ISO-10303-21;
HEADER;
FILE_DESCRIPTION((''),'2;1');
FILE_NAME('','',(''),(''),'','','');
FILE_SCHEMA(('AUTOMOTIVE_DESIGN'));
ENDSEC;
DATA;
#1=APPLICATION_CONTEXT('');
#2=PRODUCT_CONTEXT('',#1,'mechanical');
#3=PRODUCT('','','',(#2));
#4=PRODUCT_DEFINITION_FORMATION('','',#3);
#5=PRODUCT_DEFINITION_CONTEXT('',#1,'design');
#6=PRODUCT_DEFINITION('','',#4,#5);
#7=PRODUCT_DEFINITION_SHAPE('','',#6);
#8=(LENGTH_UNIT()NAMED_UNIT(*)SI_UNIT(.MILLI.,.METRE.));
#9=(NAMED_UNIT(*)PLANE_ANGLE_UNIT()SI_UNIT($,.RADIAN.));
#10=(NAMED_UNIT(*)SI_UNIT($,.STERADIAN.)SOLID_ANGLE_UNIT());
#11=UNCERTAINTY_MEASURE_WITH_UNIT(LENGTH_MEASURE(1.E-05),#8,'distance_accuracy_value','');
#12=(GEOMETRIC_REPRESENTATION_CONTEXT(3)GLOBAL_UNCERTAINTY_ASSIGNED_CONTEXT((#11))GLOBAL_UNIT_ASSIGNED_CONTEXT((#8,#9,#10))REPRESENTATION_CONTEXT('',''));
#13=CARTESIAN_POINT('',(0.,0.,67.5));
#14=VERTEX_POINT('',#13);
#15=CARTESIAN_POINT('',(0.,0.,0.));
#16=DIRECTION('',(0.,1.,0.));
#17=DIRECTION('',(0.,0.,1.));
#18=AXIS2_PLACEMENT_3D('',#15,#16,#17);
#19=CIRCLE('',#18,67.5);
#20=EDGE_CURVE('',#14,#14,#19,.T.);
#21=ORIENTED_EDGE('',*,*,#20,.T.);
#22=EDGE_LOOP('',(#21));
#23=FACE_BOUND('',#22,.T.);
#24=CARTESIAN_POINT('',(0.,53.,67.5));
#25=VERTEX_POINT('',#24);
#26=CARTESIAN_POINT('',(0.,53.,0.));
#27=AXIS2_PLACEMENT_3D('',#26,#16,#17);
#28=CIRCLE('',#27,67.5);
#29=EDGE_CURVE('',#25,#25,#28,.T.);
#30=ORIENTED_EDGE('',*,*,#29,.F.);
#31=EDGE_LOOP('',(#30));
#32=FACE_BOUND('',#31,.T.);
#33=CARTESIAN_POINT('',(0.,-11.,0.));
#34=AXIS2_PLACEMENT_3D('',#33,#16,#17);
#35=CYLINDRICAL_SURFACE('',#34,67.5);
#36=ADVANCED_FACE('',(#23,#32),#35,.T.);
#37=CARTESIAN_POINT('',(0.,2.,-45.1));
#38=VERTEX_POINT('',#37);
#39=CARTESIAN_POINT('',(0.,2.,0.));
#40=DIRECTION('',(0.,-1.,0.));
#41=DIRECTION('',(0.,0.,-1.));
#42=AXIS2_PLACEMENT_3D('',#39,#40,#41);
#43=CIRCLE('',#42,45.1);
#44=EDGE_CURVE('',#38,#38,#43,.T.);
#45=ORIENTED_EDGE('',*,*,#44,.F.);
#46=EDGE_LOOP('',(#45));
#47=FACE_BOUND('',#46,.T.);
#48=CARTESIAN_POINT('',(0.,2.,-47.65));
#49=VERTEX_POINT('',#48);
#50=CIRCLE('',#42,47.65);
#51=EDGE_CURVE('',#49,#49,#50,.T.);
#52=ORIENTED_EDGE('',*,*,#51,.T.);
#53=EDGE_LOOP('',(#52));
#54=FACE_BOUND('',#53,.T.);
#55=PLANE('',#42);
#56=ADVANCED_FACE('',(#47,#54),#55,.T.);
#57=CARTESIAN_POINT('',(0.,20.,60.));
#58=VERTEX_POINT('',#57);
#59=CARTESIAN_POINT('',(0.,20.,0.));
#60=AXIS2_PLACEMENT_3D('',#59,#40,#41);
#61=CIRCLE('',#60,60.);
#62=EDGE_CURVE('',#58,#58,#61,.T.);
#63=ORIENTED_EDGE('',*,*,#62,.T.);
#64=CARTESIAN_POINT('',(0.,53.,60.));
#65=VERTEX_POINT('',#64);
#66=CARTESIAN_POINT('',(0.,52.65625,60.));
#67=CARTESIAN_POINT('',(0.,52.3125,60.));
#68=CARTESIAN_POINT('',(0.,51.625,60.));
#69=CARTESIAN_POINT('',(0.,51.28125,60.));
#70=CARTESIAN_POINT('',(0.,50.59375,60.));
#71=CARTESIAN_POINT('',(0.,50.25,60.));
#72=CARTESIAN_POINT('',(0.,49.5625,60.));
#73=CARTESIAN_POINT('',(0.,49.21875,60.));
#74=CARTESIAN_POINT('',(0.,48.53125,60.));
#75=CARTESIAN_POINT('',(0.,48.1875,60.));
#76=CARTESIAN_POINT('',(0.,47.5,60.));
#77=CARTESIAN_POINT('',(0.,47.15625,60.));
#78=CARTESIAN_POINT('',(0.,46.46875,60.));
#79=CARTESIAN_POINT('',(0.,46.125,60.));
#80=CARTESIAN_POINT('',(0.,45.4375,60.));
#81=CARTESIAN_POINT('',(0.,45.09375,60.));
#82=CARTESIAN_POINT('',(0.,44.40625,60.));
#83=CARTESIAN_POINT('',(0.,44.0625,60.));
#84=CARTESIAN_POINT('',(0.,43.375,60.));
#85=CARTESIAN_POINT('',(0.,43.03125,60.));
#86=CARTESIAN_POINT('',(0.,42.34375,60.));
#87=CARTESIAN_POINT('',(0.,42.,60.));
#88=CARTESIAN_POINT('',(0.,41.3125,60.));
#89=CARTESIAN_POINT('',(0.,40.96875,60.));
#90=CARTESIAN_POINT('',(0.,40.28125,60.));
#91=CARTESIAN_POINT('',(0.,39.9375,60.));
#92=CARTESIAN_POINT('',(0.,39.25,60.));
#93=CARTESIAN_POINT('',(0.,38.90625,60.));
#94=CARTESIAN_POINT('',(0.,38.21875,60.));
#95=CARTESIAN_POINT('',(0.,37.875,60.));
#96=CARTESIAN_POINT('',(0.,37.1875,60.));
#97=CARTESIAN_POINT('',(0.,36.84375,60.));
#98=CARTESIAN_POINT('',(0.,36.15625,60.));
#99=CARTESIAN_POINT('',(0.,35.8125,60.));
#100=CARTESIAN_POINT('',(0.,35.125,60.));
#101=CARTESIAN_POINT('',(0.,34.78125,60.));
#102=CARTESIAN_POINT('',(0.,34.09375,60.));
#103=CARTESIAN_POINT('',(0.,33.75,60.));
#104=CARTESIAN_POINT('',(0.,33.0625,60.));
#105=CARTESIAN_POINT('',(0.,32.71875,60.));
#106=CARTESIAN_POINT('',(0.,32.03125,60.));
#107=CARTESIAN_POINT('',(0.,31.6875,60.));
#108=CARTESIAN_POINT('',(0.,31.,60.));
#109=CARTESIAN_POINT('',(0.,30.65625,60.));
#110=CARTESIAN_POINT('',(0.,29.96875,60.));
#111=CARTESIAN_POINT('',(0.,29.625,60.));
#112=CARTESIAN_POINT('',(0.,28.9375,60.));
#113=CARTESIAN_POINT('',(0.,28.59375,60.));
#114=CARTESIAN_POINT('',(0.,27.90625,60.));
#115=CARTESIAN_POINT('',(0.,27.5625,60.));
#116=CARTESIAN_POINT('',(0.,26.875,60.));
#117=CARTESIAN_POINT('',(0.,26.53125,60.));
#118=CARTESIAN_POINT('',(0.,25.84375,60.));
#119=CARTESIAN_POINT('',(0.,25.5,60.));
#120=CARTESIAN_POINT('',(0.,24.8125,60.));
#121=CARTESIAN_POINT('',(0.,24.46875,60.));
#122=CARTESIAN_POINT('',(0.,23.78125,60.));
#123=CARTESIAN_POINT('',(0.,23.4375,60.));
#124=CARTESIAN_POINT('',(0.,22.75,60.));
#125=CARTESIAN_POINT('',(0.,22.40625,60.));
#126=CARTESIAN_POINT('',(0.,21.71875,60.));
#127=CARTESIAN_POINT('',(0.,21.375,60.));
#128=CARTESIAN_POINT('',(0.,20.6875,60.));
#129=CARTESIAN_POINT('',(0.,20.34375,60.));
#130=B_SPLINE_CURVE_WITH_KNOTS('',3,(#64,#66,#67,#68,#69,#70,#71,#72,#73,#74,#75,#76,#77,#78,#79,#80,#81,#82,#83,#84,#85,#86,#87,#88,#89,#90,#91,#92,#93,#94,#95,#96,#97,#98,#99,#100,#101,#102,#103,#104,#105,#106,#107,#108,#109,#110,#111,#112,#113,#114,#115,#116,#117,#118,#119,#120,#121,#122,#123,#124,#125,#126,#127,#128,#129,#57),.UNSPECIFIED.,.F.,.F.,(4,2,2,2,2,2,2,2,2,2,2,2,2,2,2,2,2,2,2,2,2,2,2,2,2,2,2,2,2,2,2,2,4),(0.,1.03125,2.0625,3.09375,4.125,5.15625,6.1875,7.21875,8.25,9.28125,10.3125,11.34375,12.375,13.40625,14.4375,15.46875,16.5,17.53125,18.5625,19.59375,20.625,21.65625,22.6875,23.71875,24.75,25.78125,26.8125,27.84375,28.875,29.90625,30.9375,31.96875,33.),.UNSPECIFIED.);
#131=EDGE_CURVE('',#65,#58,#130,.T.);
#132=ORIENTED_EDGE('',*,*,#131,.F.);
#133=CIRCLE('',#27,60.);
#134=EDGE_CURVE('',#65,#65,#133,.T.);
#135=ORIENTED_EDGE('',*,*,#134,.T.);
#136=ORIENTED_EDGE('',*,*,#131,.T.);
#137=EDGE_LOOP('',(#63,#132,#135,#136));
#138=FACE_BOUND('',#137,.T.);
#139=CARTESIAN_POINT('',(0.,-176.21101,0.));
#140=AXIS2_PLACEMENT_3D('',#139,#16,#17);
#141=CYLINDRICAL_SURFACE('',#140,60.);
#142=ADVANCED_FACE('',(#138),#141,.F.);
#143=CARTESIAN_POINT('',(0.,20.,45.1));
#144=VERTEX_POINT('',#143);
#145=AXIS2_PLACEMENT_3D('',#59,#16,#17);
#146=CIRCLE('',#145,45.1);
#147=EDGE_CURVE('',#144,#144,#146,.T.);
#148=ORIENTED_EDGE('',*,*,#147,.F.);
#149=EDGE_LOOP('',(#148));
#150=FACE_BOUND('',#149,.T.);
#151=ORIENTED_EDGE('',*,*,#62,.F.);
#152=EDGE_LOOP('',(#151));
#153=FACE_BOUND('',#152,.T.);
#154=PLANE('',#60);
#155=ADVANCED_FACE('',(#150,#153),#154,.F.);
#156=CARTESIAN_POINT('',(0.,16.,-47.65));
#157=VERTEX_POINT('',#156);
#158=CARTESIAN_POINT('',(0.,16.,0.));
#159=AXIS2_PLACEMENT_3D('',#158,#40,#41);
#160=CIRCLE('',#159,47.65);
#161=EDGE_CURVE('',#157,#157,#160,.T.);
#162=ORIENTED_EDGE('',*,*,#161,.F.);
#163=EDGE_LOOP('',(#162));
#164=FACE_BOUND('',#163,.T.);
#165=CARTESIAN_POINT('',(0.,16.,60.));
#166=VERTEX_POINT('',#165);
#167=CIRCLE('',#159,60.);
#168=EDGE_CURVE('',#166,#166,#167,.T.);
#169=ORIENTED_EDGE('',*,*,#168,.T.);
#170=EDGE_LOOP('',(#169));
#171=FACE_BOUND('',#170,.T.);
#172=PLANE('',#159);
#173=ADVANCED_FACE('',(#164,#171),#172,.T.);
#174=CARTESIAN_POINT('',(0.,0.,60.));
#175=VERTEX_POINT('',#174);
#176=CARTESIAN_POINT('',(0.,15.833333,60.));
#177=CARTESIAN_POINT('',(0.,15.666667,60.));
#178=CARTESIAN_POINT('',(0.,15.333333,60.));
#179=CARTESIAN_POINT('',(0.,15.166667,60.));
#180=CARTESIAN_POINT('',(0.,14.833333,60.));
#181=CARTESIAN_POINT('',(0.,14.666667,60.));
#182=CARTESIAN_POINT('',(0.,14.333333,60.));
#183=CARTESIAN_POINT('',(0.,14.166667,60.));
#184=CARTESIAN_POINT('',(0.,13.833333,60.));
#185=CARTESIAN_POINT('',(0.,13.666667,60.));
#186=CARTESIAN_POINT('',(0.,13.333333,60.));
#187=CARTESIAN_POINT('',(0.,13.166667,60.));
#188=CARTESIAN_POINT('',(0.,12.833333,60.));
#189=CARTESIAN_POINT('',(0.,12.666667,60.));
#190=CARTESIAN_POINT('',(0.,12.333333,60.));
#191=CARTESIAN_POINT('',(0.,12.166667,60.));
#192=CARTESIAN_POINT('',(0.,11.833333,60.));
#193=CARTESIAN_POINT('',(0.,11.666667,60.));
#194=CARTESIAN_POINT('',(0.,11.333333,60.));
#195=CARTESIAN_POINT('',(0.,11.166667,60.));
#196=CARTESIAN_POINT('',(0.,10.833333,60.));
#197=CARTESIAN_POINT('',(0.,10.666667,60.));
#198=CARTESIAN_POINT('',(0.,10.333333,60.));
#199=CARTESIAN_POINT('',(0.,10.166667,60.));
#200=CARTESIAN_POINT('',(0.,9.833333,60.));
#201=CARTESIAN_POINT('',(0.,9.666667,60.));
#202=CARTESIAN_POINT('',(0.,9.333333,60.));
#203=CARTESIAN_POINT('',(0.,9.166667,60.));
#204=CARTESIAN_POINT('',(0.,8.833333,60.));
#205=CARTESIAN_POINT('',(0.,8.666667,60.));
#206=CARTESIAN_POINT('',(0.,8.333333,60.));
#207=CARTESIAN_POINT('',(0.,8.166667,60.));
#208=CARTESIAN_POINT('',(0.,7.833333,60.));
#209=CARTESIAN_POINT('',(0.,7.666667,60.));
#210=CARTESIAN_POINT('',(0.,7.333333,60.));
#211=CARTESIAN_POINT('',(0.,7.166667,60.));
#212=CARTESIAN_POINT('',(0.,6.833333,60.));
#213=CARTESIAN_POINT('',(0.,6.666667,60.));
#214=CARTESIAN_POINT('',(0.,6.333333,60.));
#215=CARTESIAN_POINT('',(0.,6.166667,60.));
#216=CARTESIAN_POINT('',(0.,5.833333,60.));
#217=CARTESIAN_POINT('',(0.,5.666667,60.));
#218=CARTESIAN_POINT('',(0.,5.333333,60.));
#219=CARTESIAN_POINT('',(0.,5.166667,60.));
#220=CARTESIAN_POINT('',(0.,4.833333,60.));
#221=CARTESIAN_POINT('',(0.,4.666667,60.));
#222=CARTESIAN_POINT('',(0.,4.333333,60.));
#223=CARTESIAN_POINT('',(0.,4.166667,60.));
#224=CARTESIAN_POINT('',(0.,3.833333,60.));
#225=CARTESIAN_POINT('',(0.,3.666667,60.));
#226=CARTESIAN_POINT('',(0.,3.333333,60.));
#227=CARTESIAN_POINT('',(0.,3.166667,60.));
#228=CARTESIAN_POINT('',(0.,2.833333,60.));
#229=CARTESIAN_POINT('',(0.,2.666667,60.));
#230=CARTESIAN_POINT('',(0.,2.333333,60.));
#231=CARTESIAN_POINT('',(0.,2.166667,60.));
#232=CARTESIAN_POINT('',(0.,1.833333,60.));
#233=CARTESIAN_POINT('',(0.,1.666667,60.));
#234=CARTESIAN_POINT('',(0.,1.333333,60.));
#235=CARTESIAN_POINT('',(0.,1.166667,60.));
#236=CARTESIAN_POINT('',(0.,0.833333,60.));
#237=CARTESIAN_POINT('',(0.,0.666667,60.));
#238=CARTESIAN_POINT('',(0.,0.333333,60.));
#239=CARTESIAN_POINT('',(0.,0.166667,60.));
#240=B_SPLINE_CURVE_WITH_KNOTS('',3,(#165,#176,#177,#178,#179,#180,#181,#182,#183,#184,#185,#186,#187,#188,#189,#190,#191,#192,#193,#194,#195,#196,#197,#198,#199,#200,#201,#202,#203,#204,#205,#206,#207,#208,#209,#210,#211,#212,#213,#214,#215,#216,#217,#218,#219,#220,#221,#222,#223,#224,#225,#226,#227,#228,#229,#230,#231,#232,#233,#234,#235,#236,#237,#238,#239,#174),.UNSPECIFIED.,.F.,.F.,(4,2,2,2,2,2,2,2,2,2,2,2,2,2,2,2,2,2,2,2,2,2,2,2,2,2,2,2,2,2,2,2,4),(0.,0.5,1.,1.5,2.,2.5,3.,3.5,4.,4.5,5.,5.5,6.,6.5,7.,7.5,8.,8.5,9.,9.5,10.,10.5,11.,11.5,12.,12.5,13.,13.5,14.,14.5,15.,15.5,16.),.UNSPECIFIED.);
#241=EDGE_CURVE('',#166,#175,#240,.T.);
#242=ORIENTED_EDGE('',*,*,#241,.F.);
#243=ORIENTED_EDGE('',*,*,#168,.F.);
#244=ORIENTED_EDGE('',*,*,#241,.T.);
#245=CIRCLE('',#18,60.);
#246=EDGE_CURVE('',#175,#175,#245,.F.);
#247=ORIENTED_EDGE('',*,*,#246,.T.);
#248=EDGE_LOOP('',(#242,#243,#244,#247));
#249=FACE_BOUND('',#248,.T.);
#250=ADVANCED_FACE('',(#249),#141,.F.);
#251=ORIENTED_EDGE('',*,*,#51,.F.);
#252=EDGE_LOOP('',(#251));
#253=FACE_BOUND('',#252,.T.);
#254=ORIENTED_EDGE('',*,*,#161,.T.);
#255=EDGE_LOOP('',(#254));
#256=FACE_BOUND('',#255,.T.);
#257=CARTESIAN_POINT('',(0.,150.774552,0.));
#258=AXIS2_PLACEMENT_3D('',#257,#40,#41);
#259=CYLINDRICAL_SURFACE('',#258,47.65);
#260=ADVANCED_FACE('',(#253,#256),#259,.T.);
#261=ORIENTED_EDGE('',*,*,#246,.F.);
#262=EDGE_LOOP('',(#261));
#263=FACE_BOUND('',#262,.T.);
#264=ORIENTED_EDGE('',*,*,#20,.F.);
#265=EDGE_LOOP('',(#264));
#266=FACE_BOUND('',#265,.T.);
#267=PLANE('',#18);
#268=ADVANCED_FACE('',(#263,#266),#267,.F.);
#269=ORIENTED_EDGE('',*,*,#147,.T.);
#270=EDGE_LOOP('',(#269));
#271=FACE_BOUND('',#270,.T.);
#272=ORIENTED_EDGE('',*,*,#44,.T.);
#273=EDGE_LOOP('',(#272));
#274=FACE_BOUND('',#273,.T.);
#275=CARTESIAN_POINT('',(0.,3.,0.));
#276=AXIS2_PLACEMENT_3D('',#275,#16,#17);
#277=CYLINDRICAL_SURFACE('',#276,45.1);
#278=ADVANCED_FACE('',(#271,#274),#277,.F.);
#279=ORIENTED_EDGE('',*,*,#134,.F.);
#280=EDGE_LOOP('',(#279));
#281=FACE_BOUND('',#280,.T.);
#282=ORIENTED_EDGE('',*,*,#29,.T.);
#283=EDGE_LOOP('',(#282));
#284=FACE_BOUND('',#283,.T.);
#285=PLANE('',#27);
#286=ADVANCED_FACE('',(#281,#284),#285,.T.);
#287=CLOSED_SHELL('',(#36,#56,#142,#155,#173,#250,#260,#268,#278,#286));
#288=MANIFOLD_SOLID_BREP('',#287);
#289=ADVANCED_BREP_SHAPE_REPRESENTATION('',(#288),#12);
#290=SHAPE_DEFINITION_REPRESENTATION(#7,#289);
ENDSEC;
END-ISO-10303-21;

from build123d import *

# Parameters (mm, degrees)
SKETCH1_R            = 75
SKETCH1_R_2          = 62.3
BOSS_EXTRUDE1_DEPTH  = 53
BOSS_EXTRUDE3_START  = 3
SKETCH3_R            = 75
SKETCH3_R_2          = 47
BOSS_EXTRUDE3_DEPTH  = 3
BOSS_EXTRUDE4_START  = 14
SKETCH4_R            = 50.1
SKETCH4_R_2          = 47
BOSS_EXTRUDE4_DEPTH  = 14
BOSS_EXTRUDE5_START  = 1
SKETCH5_R            = 62.3
SKETCH5_R_2          = 50.1
BOSS_EXTRUDE5_DEPTH  = 1
CUT_EXTRUDE2_START   = -64
SKETCH6_R            = 75
SKETCH6_R_2          = 67.5
CUT_EXTRUDE2_DEPTH   = 64
BOSS_EXTRUDE6_REACH  = 111.186
SKETCH7_R            = 62.3
SKETCH7_R_2          = 60
SKETCH9_R            = 50.1
SKETCH9_R_2          = 47
CUT_EXTRUDE3_DEPTH   = 17
BOSS_EXTRUDE7_START  = -4
SKETCH10_R           = 50.1
SKETCH10_R_2         = 48.5
BOSS_EXTRUDE7_DEPTH  = 4
SKETCH12_R           = 48.5
SKETCH12_R_2         = 47.6
BOSS_EXTRUDE8_DEPTH  = 4
BOSS_EXTRUDE9_START  = -17
SKETCH13_R           = 47.6
SKETCH13_R_2         = 45.1
BOSS_EXTRUDE9_DEPTH  = 17
SKETCH14_R           = 47.65
SKETCH14_R_2         = 47.6
BOSS_EXTRUDE10_DEPTH = 13
BOSS_EXTRUDE11_START = 1
SKETCH15_R           = 47.65
SKETCH15_R_2         = 45.1
BOSS_EXTRUDE11_DEPTH = 1


with BuildPart() as part:
    # Sketch1 → Boss-Extrude1 (new body)
    with BuildSketch(Plane(origin=(0, 0, 0), x_dir=(1, 0, 0), z_dir=(0, 1, 0))):
        with Locations(Location((0, 0, 0), (0, 0, 270))):
            Circle(SKETCH1_R)
        with Locations(Location((0, 0, 0), (0, 0, 270))):
            Circle(SKETCH1_R_2, mode=Mode.SUBTRACT)
    extrude(amount=BOSS_EXTRUDE1_DEPTH)

    # Sketch3 → Boss-Extrude3 (add)
    with BuildSketch(Plane(origin=(0, 20, 0), x_dir=(-1, 0, 0), z_dir=(0, -1, 0)).offset(BOSS_EXTRUDE3_START)):
        with Locations(Location((0, 0, 0), (0, 0, 270))):
            Circle(SKETCH3_R)
        with Locations(Location((0, 0, 0), (0, 0, 90))):
            Circle(SKETCH3_R_2, mode=Mode.SUBTRACT)
    extrude(amount=-BOSS_EXTRUDE3_DEPTH)

    # Sketch4 → Boss-Extrude4 (add)
    with BuildSketch(Plane.XZ.offset(-17).offset(BOSS_EXTRUDE4_START)):
        with Locations(Location((0, 0, 0), (0, 0, 270))):
            Circle(SKETCH4_R)
        with Locations(Location((0, 0, 0), (0, 0, 270))):
            Circle(SKETCH4_R_2, mode=Mode.SUBTRACT)
    extrude(amount=-BOSS_EXTRUDE4_DEPTH)

    # Sketch5 → Boss-Extrude5 (add)
    with BuildSketch(Plane.XZ.offset(-17).offset(BOSS_EXTRUDE5_START)):
        with Locations(Location((0, 0, 0), (0, 0, 270))):
            Circle(SKETCH5_R)
        with Locations(Location((0, 0, 0), (0, 0, 270))):
            Circle(SKETCH5_R_2, mode=Mode.SUBTRACT)
    extrude(amount=-BOSS_EXTRUDE5_DEPTH)

    # Sketch6 → Cut-Extrude2 (cut)
    with BuildSketch(Plane(origin=(0, 53, 0), x_dir=(1, 0, 0), z_dir=(0, 1, 0)).offset(CUT_EXTRUDE2_START)):
        Circle(SKETCH6_R)
        with Locations(Location((0, 0, 0), (0, 0, 270))):
            Circle(SKETCH6_R_2, mode=Mode.SUBTRACT)
    extrude(amount=CUT_EXTRUDE2_DEPTH, mode=Mode.SUBTRACT)

    # Boss-Extrude6: up to this face of the body (flat: up to its plane)
    boss_extrude6_end = Plane(part.part.faces().sort_by_distance((0, 0, -65.590811691))[0])
    # Sketch7 → Boss-Extrude6 (add, up to the picked face)
    with BuildSketch(Plane(origin=(0, 53, 0), x_dir=(1, 0, 0), z_dir=(0, 1, 0)), mode=Mode.PRIVATE) as boss_extrude6_sk1:
        Circle(SKETCH7_R)
        with Locations(Location((0, 0, 0), (0, 0, 270))):
            Circle(SKETCH7_R_2, mode=Mode.SUBTRACT)
    boss_extrude6_tool1 = split(extrude(boss_extrude6_sk1.sketch, amount=-BOSS_EXTRUDE6_REACH, mode=Mode.PRIVATE), bisect_by=boss_extrude6_end, keep=Keep.BOTH, mode=Mode.PRIVATE)
    add(boss_extrude6_tool1.solids().sort_by(Axis((-60.53789, 53, 0), (0, -1, 0)))[0])

    # Sketch9 → Cut-Extrude3 (cut)
    with BuildSketch(Plane.XZ.offset(-3)):
        with Locations(Location((0, 0, 0), (0, 0, 270))):
            Circle(SKETCH9_R)
        Circle(SKETCH9_R_2, mode=Mode.SUBTRACT)
    extrude(amount=-CUT_EXTRUDE3_DEPTH, mode=Mode.SUBTRACT)

    # Sketch10 → Boss-Extrude7 (add)
    with BuildSketch(Plane(origin=(0, 20, 0), x_dir=(1, 0, 0), z_dir=(0, 1, 0)).offset(BOSS_EXTRUDE7_START)):
        Circle(SKETCH10_R)
        with Locations(Location((0, 0, 0), (0, 0, 270))):
            Circle(SKETCH10_R_2, mode=Mode.SUBTRACT)
    extrude(amount=BOSS_EXTRUDE7_DEPTH)

    # Sketch12 → Boss-Extrude8 (add)
    with BuildSketch(Plane.XZ.offset(-16)):
        Circle(SKETCH12_R)
        with Locations(Location((0, 0, 0), (0, 0, 270))):
            Circle(SKETCH12_R_2, mode=Mode.SUBTRACT)
    extrude(amount=-BOSS_EXTRUDE8_DEPTH)

    # Sketch13 → Boss-Extrude9 (add)
    with BuildSketch(Plane(origin=(0, 20, 0), x_dir=(1, 0, 0), z_dir=(0, 1, 0)).offset(BOSS_EXTRUDE9_START)):
        with Locations(Location((0, 0, 0), (0, 0, 270))):
            Circle(SKETCH13_R)
        with Locations(Location((0, 0, 0), (0, 0, 270))):
            Circle(SKETCH13_R_2, mode=Mode.SUBTRACT)
    extrude(amount=BOSS_EXTRUDE9_DEPTH)

    # Sketch14 → Boss-Extrude10 (add)
    with BuildSketch(Plane.XZ.offset(-3)):
        with Locations(Location((0, 0, 0), (0, 0, 270))):
            Circle(SKETCH14_R)
        Circle(SKETCH14_R_2, mode=Mode.SUBTRACT)
    extrude(amount=-BOSS_EXTRUDE10_DEPTH)

    # Sketch15 → Boss-Extrude11 (add)
    with BuildSketch(Plane.XZ.offset(-3).offset(BOSS_EXTRUDE11_START)):
        with Locations(Location((0, 0, 0), (0, 0, 270))):
            Circle(SKETCH15_R)
        with Locations(Location((0, 0, 0), (0, 0, 90))):
            Circle(SKETCH15_R_2, mode=Mode.SUBTRACT)
    extrude(amount=-BOSS_EXTRUDE11_DEPTH)


solid = part.part
